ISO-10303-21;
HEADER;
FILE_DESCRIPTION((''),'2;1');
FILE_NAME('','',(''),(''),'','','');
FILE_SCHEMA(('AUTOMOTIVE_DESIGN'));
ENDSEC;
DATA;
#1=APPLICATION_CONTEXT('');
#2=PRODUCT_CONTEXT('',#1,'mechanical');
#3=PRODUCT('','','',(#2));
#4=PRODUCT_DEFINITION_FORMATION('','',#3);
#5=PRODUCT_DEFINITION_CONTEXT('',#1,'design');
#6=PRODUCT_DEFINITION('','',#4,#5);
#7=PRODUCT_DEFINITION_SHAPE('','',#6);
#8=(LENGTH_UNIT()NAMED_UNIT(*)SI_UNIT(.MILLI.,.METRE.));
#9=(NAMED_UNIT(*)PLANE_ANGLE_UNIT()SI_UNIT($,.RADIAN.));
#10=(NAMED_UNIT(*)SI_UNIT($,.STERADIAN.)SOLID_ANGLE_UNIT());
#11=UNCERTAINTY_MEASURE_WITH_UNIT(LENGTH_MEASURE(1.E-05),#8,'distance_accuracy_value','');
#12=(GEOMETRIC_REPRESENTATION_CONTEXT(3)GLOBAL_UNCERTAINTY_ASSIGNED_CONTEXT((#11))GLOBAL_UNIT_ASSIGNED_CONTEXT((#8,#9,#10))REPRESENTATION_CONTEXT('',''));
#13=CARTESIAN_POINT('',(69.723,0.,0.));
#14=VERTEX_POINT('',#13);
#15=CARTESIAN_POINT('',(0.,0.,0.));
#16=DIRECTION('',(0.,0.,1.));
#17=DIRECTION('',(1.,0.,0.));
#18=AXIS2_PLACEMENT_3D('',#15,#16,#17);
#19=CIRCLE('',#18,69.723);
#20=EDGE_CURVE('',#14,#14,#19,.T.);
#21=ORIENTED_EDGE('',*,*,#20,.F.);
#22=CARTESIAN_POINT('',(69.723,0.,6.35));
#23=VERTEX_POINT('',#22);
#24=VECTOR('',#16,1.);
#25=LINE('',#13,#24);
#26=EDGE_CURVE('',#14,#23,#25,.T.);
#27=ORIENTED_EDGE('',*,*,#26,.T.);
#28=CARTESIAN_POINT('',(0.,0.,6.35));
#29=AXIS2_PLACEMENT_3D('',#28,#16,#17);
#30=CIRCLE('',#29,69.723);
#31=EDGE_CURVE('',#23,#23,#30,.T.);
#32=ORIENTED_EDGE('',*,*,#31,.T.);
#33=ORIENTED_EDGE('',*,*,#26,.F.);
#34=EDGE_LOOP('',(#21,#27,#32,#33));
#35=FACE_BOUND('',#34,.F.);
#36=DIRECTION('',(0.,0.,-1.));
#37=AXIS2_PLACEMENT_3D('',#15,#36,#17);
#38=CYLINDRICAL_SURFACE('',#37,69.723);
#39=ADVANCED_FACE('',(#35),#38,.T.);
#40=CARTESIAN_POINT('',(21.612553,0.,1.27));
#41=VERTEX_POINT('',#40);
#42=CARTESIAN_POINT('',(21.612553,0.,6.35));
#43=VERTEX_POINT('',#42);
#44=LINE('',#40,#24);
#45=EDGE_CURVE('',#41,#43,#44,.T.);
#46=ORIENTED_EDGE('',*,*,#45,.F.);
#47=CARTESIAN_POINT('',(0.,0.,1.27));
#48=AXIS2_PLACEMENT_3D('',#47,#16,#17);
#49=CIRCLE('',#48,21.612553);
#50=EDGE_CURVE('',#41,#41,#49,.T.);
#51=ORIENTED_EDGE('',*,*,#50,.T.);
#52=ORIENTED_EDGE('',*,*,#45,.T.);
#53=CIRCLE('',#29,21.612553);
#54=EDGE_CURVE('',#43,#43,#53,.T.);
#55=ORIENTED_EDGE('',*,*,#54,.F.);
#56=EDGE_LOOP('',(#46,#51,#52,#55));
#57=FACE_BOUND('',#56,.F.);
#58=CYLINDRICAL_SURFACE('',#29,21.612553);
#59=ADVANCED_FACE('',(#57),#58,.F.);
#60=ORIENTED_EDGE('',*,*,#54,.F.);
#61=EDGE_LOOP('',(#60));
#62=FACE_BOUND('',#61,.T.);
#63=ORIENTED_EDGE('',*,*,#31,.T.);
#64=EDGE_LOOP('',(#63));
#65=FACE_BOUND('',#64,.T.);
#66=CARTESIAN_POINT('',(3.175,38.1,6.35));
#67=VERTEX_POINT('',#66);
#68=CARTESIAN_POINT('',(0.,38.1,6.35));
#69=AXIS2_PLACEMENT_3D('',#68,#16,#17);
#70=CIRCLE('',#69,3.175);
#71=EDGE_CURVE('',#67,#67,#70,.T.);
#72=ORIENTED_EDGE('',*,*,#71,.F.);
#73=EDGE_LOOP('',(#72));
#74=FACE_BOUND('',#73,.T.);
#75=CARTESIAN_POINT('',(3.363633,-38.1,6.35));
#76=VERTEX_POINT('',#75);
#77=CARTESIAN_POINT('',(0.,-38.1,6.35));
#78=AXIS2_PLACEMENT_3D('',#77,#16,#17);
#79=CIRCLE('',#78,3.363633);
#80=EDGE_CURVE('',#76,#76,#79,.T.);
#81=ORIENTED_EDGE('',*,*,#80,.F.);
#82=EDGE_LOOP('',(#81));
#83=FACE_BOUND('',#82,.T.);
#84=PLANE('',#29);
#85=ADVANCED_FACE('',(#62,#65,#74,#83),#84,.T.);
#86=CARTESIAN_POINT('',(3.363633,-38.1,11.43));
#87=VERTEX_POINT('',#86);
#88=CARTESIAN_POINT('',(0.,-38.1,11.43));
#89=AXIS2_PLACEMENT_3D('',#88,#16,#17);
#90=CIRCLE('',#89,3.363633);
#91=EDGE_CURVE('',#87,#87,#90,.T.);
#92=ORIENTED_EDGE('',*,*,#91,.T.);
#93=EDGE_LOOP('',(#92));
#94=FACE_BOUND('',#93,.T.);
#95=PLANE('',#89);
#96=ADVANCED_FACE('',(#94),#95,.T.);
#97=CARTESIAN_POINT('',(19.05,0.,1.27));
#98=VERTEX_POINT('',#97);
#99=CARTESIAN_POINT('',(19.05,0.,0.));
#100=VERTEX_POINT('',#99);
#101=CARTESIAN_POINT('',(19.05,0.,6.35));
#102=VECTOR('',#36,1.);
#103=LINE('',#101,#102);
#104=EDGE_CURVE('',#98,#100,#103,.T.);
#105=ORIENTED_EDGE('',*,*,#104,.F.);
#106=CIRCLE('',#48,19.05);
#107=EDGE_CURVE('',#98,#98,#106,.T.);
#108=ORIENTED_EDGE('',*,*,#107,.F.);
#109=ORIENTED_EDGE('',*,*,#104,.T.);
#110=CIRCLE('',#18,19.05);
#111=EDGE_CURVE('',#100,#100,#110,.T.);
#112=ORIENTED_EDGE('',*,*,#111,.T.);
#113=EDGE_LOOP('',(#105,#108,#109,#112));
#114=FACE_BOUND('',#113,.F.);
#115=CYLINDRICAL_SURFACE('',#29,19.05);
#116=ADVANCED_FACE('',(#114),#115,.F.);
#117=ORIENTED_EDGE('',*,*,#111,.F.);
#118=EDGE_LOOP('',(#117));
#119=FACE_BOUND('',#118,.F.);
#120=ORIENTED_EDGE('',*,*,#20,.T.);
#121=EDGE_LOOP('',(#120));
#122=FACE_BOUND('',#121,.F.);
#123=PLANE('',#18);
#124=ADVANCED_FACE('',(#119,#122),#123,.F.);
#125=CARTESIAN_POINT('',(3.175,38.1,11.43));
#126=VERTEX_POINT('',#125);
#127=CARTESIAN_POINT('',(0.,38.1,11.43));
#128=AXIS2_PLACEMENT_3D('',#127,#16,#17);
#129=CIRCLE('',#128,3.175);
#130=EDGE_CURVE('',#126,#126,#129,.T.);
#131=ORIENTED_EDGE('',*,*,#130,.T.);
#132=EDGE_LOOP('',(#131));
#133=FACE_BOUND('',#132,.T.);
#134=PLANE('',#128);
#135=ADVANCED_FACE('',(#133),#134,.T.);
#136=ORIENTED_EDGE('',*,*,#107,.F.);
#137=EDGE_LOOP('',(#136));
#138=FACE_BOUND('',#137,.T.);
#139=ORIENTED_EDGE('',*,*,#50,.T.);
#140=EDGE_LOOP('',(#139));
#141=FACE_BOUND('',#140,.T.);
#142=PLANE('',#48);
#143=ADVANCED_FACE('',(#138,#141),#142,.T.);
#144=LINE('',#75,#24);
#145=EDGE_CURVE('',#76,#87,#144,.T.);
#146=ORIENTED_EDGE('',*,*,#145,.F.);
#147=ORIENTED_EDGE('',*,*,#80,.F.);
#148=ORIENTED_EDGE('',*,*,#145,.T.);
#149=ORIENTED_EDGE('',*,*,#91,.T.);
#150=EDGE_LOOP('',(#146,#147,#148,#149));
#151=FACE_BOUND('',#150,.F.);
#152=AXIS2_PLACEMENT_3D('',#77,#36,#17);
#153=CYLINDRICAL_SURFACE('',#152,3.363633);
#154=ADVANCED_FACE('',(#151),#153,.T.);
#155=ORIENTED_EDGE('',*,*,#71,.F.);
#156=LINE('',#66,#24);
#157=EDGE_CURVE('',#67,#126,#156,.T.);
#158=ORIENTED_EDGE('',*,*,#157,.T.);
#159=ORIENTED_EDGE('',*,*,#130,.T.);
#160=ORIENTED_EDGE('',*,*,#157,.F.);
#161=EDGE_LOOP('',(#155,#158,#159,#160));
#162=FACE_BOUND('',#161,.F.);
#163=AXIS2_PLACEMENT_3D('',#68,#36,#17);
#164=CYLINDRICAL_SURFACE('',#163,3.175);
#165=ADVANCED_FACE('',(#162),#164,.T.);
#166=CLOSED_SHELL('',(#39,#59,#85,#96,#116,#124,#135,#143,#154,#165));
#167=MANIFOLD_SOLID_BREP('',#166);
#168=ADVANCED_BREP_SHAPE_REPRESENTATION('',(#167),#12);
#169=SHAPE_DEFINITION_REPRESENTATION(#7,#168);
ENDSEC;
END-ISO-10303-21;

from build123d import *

# Parameters (mm, degrees)
F0_R     = 69.723
F1_DEPTH = 6.35
F2_R     = 19.05
F3_DEPTH = 25.4
F4_R     = 21.6125531476
F5_DEPTH = 3.302
F6_DEPTH = 1.778
F7_R     = 3.175
F7_R_2   = 3.3636325345
F8_DEPTH = 5.08


with BuildPart() as f1:
    # F0 (on Top) → F1 (new body)
    with BuildSketch(Plane.XY):
        Circle(F0_R)
    extrude(amount=F1_DEPTH)

    # F2 (on face) → F3 (cut)
    with BuildSketch(Plane.XY.offset(6.35)):
        Circle(F2_R)
    extrude(amount=-F3_DEPTH, mode=Mode.SUBTRACT)

    # F4 (on face) → F5 (cut)
    with BuildSketch(Plane.XY.offset(6.35)):
        Circle(F4_R)
    extrude(amount=-F5_DEPTH, mode=Mode.SUBTRACT)

    # F6 (cut): a face of the model
    f6_faces = [f1.faces().sort_by_distance(p)[0] for p in [
        (-21.001257832, 0, 3.048),
    ]]
    extrude(f6_faces, amount=-F6_DEPTH, mode=Mode.SUBTRACT)

    # F7 (on face) → F8 (join)
    with BuildSketch(Plane.XY.offset(6.35)):
        with Locations((0, 38.1)):
            Circle(F7_R)
        with Locations((0, -38.1)):
            Circle(F7_R_2)
    extrude(amount=F8_DEPTH)


solid = f1.part
